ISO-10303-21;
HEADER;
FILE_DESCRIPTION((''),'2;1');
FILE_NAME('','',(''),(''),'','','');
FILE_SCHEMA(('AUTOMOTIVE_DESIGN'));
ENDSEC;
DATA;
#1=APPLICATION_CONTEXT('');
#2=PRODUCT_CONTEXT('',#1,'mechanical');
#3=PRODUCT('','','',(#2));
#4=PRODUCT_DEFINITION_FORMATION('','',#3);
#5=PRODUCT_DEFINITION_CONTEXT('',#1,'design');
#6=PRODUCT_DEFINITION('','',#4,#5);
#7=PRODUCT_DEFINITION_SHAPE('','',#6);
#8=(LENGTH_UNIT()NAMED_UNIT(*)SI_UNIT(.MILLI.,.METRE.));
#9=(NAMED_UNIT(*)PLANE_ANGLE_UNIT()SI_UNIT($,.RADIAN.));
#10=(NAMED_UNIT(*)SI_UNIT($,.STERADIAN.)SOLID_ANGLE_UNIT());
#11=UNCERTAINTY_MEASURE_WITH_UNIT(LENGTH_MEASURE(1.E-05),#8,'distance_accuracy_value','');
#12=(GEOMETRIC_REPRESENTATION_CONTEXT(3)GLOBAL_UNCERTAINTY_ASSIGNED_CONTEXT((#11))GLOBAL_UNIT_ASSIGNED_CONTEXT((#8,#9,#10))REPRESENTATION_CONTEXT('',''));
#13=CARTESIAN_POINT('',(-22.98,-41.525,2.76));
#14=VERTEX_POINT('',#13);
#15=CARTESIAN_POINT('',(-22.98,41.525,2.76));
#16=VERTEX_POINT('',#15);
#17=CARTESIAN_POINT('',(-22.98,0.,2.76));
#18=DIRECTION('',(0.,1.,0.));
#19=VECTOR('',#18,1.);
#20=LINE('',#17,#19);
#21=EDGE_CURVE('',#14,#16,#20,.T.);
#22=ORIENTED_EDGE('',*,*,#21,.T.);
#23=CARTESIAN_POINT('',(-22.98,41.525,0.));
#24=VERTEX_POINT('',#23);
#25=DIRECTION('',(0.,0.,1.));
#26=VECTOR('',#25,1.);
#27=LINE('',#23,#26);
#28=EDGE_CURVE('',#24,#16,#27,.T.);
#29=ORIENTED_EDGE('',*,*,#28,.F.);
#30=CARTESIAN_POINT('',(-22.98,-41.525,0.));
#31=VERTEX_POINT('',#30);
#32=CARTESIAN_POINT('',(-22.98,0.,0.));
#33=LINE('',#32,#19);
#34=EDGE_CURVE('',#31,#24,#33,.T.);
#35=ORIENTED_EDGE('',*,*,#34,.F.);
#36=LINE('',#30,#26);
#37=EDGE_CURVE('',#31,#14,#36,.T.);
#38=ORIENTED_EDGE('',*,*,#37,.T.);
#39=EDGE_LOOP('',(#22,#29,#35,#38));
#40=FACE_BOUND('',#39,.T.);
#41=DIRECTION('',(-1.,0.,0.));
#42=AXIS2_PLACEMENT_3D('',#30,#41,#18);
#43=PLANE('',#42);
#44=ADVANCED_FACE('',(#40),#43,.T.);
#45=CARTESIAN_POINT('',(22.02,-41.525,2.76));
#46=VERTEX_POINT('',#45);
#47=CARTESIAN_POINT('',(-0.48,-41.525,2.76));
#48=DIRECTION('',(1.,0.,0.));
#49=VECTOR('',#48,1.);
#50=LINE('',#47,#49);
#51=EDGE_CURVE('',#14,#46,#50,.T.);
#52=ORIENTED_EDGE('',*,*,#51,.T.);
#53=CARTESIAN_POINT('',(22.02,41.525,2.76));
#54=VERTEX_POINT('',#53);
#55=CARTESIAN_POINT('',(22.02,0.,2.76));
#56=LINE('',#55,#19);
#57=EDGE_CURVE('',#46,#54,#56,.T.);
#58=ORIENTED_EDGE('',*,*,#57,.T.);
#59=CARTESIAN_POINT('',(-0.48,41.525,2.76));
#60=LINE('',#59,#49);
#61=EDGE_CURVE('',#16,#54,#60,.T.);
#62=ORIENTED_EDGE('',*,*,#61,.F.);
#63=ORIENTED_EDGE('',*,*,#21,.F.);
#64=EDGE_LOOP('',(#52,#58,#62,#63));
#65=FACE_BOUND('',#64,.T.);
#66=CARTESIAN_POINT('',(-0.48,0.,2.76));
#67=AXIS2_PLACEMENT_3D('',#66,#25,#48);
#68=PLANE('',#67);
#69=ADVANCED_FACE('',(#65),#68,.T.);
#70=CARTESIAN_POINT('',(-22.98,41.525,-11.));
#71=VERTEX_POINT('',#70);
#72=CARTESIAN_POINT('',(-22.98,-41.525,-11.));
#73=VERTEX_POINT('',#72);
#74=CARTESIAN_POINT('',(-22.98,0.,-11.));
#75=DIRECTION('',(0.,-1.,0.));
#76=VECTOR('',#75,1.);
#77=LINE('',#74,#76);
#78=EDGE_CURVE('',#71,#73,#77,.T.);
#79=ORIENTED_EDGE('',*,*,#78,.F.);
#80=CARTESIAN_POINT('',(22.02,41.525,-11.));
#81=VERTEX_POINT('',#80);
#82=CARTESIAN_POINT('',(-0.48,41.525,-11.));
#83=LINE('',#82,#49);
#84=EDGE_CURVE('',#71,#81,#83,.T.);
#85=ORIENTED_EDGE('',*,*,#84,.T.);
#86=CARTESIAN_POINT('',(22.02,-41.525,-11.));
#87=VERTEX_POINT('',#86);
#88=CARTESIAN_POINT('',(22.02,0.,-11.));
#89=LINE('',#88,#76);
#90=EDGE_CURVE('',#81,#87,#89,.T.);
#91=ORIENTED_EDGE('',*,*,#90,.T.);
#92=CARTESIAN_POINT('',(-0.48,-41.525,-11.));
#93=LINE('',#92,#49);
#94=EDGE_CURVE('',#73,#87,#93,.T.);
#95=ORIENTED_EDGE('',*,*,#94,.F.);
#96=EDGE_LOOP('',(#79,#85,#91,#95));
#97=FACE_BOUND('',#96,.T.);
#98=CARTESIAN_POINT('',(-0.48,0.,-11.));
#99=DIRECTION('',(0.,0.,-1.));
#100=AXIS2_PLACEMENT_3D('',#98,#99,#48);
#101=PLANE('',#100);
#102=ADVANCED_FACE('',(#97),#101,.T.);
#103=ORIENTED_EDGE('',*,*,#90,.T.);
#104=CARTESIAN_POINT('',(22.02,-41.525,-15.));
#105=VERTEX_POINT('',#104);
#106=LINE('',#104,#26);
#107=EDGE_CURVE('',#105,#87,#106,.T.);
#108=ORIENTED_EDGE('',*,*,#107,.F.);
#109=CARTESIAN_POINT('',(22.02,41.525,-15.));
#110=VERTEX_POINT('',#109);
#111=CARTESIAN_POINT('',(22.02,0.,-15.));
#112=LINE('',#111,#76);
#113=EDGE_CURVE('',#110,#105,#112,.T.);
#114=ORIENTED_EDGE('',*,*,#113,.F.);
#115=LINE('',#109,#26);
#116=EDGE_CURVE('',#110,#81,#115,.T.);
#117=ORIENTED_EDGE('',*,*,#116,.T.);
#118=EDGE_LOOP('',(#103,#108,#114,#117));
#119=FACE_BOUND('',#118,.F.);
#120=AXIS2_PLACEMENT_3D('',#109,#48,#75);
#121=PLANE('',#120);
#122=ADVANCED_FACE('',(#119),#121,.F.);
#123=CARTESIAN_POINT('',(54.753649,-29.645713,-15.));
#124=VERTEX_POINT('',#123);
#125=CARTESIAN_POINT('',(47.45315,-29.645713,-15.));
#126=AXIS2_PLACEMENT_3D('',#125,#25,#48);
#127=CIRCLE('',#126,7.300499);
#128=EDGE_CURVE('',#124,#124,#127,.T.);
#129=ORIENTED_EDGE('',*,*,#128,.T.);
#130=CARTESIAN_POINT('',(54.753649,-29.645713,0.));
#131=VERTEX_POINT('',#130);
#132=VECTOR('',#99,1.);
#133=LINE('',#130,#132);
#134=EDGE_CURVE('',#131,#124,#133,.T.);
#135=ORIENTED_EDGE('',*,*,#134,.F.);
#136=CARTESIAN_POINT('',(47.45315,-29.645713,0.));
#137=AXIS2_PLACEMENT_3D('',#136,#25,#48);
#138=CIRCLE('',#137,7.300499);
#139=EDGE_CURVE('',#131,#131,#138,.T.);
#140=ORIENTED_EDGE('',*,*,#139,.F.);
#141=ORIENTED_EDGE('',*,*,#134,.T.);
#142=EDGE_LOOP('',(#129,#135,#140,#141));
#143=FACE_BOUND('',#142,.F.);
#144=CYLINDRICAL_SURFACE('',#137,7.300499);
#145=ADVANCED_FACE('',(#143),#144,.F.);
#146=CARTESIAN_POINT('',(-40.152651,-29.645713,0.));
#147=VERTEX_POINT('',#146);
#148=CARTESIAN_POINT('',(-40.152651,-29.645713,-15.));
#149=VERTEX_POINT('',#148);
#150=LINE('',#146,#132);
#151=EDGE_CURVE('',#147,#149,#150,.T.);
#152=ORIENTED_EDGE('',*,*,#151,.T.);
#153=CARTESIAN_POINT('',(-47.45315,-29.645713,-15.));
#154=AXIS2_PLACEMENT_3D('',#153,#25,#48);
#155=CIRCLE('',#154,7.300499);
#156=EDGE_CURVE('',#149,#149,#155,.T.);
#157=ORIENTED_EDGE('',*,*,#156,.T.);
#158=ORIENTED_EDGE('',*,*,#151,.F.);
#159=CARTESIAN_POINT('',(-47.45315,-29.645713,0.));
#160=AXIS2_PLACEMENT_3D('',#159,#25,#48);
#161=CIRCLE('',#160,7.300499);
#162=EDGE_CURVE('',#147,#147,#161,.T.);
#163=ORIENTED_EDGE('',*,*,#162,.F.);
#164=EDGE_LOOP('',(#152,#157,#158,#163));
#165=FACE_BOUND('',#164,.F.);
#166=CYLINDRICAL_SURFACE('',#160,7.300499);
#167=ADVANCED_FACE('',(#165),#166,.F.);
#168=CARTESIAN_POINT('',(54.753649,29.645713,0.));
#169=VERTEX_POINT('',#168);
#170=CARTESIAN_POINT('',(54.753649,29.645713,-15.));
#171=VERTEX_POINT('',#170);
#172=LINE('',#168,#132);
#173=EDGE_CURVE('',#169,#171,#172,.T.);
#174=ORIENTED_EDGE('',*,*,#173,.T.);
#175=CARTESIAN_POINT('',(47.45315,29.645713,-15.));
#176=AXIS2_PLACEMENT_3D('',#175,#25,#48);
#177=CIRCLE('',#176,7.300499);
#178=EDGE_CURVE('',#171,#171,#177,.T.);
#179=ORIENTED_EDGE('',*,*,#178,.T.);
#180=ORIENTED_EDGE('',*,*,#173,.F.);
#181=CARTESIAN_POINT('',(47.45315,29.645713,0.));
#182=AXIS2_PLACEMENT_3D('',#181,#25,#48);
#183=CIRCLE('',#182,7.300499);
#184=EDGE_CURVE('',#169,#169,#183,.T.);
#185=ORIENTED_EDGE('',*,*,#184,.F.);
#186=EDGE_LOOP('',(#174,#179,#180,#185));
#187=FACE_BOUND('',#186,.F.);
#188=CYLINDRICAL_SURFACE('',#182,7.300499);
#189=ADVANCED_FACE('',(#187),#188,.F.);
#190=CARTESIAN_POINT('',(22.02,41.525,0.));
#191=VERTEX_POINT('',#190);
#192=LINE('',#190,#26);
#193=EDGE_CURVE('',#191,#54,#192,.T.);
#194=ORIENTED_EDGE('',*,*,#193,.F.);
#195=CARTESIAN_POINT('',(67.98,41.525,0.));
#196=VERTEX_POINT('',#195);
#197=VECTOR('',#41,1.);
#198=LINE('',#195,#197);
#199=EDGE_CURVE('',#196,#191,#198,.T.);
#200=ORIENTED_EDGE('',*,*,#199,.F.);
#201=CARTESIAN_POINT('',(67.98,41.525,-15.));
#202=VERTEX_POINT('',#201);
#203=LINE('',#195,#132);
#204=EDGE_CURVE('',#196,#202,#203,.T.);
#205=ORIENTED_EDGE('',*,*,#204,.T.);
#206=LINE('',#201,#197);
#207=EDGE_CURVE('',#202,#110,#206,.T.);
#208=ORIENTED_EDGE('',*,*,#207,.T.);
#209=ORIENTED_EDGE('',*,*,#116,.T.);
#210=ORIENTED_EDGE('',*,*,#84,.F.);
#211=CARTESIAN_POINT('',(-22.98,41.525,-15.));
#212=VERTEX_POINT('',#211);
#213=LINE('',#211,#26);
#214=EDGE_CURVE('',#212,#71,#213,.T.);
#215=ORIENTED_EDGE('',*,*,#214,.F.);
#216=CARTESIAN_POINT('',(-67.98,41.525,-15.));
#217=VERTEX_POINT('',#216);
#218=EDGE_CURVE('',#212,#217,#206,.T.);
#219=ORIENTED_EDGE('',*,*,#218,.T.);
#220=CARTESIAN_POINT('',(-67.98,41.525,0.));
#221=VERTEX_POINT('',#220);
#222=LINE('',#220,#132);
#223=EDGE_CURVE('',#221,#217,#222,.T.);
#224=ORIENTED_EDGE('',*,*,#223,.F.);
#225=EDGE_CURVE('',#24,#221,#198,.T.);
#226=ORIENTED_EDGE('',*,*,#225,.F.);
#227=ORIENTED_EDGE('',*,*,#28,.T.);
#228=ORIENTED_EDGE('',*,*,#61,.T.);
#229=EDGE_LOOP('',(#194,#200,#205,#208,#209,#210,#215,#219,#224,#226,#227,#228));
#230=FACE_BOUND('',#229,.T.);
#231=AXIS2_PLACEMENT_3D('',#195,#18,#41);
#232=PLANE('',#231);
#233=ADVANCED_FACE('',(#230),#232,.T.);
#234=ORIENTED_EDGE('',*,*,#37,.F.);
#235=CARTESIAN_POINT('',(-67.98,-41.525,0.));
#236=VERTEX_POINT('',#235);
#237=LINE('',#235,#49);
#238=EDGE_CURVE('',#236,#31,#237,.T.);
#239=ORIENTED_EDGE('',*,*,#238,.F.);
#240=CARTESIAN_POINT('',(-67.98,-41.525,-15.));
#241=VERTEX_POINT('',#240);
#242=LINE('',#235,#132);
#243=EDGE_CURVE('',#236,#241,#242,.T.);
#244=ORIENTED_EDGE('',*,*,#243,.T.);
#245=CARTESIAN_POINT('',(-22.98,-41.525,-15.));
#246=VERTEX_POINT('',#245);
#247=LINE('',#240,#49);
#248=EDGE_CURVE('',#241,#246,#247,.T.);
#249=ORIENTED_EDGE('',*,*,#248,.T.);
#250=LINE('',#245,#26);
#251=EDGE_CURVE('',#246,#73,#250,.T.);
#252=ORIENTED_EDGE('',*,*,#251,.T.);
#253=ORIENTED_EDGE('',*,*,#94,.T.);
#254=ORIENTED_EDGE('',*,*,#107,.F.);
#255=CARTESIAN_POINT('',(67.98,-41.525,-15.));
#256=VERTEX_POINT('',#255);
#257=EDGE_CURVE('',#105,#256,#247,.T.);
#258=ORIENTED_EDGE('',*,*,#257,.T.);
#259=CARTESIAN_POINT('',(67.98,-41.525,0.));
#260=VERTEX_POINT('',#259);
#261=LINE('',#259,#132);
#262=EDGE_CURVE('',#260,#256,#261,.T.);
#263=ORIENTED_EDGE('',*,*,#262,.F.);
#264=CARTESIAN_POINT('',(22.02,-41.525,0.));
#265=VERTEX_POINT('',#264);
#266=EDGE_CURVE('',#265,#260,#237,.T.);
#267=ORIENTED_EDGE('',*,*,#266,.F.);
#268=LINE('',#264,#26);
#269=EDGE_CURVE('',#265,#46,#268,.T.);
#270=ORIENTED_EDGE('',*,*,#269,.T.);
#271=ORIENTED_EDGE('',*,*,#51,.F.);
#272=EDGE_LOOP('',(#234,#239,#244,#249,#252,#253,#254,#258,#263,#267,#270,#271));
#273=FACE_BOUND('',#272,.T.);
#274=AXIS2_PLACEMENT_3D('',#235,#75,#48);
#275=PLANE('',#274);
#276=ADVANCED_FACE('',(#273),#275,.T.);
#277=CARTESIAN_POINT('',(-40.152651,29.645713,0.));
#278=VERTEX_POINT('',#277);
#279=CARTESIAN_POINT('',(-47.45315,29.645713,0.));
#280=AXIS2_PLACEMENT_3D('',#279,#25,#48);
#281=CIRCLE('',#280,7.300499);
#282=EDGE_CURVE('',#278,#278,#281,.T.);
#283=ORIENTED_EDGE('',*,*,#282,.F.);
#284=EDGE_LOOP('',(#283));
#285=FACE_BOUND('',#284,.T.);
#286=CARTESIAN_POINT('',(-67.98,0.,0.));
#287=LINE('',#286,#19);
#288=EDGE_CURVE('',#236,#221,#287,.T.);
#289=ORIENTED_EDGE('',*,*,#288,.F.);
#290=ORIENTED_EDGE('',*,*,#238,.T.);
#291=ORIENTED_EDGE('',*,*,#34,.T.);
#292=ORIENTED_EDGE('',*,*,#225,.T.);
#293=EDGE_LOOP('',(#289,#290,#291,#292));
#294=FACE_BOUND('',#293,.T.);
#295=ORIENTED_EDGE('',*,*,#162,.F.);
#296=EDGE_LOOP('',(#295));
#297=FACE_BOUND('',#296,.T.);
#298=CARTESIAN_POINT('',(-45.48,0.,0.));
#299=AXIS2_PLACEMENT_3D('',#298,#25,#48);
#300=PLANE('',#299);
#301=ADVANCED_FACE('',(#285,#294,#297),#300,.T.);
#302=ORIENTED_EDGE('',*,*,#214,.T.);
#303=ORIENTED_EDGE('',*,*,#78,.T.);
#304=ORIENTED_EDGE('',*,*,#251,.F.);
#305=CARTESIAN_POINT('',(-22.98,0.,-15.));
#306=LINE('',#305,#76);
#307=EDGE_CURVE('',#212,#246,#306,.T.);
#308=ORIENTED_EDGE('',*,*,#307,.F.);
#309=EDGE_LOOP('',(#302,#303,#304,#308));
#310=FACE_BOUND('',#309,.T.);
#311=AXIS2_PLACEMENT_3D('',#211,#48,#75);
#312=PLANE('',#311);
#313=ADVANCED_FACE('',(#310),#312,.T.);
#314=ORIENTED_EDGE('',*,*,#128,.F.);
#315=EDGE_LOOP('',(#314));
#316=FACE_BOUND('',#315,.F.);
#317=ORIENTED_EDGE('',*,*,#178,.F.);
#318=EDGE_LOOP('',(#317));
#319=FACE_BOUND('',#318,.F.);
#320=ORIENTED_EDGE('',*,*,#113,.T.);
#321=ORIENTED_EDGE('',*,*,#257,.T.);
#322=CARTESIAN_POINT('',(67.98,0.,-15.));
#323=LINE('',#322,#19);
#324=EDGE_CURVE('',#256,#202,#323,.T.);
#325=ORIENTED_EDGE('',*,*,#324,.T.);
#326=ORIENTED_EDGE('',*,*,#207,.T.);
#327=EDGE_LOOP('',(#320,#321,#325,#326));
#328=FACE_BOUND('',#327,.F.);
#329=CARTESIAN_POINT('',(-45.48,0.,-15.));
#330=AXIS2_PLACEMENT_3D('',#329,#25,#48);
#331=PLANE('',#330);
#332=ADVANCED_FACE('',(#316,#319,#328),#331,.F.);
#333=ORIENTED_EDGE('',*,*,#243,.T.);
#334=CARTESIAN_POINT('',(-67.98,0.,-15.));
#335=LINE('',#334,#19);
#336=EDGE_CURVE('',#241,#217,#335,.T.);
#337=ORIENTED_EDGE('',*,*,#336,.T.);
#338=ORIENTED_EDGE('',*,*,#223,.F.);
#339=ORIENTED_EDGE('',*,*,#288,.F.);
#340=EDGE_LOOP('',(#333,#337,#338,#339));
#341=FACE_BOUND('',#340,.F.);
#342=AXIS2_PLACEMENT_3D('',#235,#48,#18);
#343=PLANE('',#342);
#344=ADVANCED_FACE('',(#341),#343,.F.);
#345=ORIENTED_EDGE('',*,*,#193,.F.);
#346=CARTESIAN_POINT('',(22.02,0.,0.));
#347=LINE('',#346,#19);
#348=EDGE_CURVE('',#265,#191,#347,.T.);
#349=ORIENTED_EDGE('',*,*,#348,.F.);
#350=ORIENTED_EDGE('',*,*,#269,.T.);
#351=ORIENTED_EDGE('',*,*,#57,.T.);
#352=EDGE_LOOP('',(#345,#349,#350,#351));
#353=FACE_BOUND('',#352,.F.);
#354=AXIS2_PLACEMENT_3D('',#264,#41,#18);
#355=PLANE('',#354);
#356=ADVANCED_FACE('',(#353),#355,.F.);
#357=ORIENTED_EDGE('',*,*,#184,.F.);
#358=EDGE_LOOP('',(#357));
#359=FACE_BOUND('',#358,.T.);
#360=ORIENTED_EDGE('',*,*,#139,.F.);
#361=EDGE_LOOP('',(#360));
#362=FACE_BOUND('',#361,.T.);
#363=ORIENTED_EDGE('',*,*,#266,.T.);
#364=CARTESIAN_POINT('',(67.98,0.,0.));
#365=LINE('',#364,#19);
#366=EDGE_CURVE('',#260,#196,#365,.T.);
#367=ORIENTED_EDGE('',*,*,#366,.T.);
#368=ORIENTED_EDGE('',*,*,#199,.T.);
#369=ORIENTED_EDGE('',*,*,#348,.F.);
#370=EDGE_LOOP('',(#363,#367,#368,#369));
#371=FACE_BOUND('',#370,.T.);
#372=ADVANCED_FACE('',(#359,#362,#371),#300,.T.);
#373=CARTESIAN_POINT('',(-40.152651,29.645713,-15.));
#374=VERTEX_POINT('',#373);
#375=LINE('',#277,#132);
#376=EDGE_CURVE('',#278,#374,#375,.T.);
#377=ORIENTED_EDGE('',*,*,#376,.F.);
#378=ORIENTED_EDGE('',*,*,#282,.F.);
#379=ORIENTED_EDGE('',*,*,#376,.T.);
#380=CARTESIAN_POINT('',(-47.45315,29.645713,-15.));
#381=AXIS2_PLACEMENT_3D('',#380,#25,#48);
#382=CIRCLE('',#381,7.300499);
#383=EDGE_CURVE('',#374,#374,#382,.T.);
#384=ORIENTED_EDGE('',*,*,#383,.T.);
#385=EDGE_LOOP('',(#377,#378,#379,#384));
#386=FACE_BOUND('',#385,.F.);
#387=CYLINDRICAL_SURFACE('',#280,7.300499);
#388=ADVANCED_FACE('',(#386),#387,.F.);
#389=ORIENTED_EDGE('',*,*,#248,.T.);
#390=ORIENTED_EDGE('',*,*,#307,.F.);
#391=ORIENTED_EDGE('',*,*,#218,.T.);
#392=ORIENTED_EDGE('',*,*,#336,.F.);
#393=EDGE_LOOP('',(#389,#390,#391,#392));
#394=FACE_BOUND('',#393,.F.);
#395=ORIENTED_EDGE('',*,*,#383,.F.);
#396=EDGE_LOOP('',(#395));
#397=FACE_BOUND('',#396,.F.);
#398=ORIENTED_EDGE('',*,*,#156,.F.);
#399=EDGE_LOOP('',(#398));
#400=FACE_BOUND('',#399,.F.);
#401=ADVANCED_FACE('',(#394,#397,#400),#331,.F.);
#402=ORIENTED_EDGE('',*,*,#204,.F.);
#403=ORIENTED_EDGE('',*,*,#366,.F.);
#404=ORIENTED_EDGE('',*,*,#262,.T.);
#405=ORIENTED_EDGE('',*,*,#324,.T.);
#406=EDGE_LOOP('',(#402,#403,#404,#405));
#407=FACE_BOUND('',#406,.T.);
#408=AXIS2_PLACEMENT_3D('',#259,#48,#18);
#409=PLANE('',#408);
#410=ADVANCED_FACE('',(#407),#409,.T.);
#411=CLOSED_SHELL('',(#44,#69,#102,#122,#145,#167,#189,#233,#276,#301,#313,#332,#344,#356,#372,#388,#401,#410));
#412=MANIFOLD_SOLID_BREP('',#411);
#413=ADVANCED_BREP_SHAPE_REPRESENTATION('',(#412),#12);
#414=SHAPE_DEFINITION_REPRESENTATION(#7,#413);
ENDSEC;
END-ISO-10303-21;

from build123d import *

# Parameters (mm, degrees)
F0_W     = 45
F0_H     = 83.05
F0_W_2   = 45.96
F1_DEPTH = 15
F2_DEPTH = 2.76
F3_W     = 45
F3_H     = 83.05
F4_DEPTH = 4
F5_R     = 7.300499
F6_DEPTH = 15.001


with BuildPart() as f1:
    # F0 (on Top) → F1 (new body)
    with BuildSketch(Plane.XY):
        with Locations((-45.48, 0)):
            Rectangle(F0_W, F0_H)
        with Locations((-0.48, 0)):
            Rectangle(F0_W, F0_H)
        with Locations((45, 0)):
            Rectangle(F0_W_2, F0_H)
    extrude(amount=-F1_DEPTH)

    # F0 (on Top) → F2 (join)
    with BuildSketch(Plane.XY):
        with Locations((-0.48, 0)):
            Rectangle(F0_W, F0_H)
    extrude(amount=F2_DEPTH)

    # F3 (on face) → F4 (cut)
    with BuildSketch(Plane(origin=(0, 0, -15), x_dir=(1, 0, 0), z_dir=(0, 0, -1))):
        with Locations((-0.48, 0)):
            Rectangle(F3_W, F3_H)
    extrude(amount=-F4_DEPTH, mode=Mode.SUBTRACT)

    # F5 (on face) → F6 (cut, through all)
    with BuildSketch(Plane.XY):
        with Locations((-47.45315, 29.645713)):
            Circle(F5_R)
        with Locations((-47.45315, -29.645713)):
            Circle(F5_R)
        with Locations((47.45315, 29.645713)):
            Circle(F5_R)
        with Locations((47.45315, -29.645713)):
            Circle(F5_R)
    extrude(amount=-F6_DEPTH, mode=Mode.SUBTRACT)


solid = f1.part
